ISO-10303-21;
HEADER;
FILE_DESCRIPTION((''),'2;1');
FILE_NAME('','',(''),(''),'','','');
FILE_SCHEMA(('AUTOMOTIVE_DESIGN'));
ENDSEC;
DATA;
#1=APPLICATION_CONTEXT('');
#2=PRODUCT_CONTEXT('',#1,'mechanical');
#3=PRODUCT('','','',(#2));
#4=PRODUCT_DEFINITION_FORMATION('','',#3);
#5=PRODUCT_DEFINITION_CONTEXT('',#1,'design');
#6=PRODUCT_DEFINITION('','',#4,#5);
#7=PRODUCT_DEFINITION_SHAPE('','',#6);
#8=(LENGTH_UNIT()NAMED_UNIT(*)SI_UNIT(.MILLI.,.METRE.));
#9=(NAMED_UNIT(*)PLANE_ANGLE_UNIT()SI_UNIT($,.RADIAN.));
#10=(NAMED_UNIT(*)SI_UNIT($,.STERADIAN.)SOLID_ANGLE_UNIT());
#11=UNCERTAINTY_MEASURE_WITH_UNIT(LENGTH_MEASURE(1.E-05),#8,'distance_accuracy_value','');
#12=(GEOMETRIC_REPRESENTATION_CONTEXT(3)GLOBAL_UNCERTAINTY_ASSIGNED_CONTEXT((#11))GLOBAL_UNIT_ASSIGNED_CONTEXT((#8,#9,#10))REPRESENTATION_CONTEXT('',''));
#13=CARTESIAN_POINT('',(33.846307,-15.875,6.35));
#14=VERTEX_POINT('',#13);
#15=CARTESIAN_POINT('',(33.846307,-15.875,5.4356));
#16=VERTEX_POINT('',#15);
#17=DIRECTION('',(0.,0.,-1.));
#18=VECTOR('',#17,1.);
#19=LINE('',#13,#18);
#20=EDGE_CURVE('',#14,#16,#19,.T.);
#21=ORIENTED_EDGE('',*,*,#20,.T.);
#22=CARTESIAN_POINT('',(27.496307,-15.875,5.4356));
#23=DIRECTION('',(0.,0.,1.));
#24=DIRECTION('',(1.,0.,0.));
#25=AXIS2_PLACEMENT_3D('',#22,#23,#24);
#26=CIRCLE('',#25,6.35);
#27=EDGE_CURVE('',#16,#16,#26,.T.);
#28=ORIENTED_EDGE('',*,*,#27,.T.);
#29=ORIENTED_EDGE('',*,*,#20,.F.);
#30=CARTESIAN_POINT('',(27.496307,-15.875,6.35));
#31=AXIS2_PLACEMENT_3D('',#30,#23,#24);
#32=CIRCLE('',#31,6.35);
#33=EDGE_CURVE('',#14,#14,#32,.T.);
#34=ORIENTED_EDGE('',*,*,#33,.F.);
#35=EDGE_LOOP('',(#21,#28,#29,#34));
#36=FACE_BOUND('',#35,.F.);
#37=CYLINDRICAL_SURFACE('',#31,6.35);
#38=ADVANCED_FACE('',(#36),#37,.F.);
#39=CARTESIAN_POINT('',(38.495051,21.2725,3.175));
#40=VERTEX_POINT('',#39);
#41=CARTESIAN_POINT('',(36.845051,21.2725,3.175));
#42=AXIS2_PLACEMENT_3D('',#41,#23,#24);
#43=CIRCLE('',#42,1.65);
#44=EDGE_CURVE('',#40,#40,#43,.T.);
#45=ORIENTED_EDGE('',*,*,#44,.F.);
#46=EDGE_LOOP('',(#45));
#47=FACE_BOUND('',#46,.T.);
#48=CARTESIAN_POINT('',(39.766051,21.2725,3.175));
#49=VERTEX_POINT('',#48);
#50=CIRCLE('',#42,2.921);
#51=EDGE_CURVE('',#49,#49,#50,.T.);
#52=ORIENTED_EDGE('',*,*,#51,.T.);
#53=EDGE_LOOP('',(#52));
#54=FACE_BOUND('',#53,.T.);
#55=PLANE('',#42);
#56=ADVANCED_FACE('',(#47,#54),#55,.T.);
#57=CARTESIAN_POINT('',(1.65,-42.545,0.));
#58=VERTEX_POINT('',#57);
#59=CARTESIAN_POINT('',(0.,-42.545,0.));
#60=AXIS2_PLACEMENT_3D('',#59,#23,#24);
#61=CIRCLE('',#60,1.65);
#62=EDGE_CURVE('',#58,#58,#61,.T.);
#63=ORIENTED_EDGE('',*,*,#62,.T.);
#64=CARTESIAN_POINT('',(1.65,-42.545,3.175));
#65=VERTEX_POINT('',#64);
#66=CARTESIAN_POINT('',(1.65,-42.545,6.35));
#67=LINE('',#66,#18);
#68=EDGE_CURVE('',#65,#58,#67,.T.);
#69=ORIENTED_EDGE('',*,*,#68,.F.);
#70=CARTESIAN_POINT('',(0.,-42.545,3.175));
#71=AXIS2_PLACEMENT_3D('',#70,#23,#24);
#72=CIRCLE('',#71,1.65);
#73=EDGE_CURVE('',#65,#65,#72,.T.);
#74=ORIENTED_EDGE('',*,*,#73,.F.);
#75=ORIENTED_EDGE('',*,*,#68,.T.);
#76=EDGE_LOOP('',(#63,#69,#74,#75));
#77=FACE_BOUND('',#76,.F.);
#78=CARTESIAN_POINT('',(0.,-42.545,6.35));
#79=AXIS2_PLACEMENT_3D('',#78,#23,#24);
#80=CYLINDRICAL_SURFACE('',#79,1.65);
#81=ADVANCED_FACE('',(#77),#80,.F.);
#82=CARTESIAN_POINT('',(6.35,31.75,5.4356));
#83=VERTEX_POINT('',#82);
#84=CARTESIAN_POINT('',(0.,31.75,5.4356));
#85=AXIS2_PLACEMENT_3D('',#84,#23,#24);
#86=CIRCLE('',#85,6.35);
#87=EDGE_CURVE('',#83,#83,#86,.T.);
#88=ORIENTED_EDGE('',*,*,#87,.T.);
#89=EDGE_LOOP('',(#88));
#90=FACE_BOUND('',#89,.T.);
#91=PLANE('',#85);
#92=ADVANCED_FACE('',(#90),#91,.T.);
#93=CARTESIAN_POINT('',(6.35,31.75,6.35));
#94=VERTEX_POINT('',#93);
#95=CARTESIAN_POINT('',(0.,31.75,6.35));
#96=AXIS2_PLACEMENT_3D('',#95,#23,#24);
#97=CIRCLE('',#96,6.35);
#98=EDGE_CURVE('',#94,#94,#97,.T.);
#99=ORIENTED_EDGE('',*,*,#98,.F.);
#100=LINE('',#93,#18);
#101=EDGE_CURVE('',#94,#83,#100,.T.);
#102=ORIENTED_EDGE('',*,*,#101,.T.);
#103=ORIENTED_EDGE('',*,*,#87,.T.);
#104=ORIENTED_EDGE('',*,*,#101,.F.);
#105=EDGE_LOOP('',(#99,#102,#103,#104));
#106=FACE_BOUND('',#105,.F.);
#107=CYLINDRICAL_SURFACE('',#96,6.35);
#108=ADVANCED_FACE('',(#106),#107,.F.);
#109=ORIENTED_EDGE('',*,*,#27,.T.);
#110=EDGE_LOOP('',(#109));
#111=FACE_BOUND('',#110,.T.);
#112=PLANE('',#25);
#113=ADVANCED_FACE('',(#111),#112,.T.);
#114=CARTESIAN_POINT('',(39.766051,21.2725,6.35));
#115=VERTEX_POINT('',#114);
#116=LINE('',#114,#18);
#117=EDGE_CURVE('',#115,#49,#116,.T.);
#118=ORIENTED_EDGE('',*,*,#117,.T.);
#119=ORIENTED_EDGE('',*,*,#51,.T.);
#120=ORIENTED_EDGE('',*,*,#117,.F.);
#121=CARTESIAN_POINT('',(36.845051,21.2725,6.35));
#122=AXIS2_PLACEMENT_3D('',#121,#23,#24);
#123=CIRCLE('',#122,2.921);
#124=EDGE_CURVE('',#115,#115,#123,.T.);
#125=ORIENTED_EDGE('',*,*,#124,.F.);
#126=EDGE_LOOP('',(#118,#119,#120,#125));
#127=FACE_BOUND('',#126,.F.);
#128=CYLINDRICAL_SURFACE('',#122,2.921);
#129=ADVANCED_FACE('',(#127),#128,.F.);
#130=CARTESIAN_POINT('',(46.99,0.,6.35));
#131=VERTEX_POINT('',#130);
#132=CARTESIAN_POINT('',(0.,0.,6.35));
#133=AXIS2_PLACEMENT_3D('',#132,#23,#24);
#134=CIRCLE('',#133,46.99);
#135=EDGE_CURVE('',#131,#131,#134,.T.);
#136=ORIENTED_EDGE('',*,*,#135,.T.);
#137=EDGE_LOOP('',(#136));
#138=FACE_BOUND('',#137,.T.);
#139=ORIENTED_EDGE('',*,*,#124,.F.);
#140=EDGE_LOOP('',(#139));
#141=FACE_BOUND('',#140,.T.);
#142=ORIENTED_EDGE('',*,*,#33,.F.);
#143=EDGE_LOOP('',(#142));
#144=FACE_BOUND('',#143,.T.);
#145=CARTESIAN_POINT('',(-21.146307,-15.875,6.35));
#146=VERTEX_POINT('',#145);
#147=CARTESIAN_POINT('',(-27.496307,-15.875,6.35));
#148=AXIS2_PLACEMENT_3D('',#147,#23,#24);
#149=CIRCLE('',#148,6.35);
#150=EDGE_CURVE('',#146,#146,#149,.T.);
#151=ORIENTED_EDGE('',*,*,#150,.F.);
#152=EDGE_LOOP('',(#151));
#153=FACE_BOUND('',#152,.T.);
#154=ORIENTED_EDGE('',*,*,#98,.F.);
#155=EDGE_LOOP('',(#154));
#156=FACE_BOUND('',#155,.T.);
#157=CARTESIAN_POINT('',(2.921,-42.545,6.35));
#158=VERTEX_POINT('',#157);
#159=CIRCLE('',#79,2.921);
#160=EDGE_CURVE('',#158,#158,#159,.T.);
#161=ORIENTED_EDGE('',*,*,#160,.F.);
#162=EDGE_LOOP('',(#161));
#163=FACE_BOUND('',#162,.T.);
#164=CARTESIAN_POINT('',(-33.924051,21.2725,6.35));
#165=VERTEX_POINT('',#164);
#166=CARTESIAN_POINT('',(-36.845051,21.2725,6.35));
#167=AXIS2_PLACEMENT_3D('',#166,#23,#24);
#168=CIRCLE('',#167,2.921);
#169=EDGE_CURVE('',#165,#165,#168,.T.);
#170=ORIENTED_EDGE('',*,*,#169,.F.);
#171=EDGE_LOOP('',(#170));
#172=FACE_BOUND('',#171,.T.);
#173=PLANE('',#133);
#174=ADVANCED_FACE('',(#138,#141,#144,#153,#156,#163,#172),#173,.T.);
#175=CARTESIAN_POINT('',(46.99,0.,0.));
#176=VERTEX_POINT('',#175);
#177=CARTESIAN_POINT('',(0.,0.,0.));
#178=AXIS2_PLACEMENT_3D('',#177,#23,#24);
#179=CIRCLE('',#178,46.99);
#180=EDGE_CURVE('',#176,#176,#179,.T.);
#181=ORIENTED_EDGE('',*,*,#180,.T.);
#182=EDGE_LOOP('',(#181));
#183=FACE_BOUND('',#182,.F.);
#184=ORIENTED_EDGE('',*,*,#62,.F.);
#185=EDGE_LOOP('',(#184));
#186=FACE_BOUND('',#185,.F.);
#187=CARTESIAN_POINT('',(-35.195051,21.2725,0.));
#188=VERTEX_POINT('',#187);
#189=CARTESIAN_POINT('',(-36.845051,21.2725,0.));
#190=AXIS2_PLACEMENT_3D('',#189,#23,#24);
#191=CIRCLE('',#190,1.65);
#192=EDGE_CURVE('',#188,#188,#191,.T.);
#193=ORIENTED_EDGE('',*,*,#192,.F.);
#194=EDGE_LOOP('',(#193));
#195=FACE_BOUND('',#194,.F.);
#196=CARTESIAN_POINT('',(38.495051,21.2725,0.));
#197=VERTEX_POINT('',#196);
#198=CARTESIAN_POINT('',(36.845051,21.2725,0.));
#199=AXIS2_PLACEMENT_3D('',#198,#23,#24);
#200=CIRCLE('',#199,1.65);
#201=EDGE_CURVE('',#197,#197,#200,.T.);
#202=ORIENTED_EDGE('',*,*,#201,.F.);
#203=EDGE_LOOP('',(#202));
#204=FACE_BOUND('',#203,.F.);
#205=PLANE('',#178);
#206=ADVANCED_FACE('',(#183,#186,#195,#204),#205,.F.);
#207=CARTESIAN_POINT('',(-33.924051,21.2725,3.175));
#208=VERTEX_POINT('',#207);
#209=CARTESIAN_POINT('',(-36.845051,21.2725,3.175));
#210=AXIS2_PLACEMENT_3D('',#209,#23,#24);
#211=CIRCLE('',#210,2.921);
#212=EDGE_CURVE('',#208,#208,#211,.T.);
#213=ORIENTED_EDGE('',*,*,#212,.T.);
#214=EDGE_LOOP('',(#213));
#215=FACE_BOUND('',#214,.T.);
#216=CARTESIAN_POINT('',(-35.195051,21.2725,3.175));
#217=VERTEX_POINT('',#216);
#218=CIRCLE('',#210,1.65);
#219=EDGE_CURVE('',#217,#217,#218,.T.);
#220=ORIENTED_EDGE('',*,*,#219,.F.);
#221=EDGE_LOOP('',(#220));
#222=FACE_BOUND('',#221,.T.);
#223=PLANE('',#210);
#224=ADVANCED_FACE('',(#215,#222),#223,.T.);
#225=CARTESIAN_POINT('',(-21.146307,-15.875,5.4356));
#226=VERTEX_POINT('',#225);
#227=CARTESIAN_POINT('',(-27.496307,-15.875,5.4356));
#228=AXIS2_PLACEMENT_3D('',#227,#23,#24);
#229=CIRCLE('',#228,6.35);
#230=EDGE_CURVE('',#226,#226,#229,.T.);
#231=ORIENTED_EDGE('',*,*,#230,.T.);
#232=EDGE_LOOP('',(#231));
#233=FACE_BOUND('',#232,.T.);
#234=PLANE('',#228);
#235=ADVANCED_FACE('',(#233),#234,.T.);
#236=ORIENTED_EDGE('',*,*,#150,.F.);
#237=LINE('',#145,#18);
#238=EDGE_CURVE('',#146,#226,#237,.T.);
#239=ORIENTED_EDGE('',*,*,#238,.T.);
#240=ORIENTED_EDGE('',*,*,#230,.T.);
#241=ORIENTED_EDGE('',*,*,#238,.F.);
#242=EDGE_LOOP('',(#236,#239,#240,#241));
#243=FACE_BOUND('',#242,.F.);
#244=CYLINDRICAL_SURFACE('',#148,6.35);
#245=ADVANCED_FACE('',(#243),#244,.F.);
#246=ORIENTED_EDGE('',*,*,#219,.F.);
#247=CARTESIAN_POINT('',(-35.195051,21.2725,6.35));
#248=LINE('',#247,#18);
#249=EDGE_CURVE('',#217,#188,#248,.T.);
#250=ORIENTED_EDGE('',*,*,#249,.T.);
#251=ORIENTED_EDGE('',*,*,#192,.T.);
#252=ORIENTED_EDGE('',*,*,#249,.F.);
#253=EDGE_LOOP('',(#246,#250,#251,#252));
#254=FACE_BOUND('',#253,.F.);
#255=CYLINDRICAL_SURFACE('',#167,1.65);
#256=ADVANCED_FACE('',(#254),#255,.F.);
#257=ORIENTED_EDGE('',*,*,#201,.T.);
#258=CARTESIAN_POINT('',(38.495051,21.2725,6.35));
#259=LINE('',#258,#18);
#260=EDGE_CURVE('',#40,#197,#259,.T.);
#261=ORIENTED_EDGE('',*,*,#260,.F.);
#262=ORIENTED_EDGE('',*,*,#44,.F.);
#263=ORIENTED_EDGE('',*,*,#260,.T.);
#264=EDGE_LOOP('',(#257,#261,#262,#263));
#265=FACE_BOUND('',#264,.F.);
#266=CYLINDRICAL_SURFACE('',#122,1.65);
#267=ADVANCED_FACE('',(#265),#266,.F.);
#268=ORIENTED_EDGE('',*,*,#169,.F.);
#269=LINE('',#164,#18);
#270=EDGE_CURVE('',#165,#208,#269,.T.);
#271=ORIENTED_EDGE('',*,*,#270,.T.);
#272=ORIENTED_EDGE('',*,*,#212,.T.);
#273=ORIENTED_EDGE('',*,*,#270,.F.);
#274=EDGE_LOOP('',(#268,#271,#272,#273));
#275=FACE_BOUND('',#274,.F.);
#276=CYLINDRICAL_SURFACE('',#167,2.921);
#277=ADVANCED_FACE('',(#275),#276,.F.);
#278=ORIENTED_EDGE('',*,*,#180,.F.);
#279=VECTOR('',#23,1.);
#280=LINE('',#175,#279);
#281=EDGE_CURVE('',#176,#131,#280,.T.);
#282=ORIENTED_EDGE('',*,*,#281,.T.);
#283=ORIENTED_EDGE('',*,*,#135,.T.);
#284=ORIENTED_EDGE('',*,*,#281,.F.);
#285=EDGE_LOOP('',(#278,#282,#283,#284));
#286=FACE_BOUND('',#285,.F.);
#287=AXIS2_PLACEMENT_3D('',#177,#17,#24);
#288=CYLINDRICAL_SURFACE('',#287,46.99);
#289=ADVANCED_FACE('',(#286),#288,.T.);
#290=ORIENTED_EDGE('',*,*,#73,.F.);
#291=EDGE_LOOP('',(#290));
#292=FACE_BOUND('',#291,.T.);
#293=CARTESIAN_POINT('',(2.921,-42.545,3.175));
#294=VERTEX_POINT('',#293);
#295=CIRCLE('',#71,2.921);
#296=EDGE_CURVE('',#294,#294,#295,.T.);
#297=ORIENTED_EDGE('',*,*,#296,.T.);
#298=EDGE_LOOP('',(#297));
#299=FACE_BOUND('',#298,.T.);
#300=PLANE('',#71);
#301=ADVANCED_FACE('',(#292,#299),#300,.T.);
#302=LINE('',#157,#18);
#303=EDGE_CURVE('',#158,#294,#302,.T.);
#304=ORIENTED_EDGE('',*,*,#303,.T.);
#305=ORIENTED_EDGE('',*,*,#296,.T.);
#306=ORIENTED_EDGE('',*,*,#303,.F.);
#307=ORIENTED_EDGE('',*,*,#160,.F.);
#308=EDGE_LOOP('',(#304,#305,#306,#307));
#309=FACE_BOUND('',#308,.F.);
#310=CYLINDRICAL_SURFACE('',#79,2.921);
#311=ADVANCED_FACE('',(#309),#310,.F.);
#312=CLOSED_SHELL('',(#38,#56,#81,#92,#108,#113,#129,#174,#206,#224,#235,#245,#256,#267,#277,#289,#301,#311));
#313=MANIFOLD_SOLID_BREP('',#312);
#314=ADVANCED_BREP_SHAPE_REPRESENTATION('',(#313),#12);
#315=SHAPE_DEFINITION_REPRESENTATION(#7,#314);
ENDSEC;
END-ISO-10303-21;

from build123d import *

# Parameters (mm, degrees)
F0_R     = 46.99
F1_DEPTH = 6.35
F2_R     = 6.35
F3_DEPTH = 0.9144
F4_R     = 2.921
F5_DEPTH = 3.175
F6_R     = 1.65
F7_DEPTH = 25.4


with BuildPart() as f1:
    # F0 (on Top) → F1 (new body)
    with BuildSketch(Plane.XY):
        Circle(F0_R)
    extrude(amount=F1_DEPTH)

    # F2 (on face) → F3 (cut)
    with BuildSketch(Plane.XY.offset(6.35)):
        with Locations((0, 31.75)):
            Circle(F2_R)
        with Locations((-27.496307, -15.875)):
            Circle(F2_R)
        with Locations((27.496307, -15.875)):
            Circle(F2_R)
    extrude(amount=-F3_DEPTH, mode=Mode.SUBTRACT)

    # F4 (on face) → F5 (cut)
    with BuildSketch(Plane.XY.offset(6.35)):
        with Locations((0, -42.545)):
            Circle(F4_R)
        with Locations((-36.845051, 21.2725)):
            Circle(F4_R)
        with Locations((36.845051, 21.2725)):
            Circle(F4_R)
    extrude(amount=-F5_DEPTH, mode=Mode.SUBTRACT)

    # F6 (on face) → F7 (cut)
    with BuildSketch(Plane.XY.offset(6.35)):
        with Locations((-36.845051, 21.2725)):
            Circle(F6_R)
        with Locations((36.845051, 21.2725)):
            Circle(F6_R)
        with Locations((0, -42.545)):
            Circle(F6_R)
    extrude(amount=-F7_DEPTH, mode=Mode.SUBTRACT)


solid = f1.part
